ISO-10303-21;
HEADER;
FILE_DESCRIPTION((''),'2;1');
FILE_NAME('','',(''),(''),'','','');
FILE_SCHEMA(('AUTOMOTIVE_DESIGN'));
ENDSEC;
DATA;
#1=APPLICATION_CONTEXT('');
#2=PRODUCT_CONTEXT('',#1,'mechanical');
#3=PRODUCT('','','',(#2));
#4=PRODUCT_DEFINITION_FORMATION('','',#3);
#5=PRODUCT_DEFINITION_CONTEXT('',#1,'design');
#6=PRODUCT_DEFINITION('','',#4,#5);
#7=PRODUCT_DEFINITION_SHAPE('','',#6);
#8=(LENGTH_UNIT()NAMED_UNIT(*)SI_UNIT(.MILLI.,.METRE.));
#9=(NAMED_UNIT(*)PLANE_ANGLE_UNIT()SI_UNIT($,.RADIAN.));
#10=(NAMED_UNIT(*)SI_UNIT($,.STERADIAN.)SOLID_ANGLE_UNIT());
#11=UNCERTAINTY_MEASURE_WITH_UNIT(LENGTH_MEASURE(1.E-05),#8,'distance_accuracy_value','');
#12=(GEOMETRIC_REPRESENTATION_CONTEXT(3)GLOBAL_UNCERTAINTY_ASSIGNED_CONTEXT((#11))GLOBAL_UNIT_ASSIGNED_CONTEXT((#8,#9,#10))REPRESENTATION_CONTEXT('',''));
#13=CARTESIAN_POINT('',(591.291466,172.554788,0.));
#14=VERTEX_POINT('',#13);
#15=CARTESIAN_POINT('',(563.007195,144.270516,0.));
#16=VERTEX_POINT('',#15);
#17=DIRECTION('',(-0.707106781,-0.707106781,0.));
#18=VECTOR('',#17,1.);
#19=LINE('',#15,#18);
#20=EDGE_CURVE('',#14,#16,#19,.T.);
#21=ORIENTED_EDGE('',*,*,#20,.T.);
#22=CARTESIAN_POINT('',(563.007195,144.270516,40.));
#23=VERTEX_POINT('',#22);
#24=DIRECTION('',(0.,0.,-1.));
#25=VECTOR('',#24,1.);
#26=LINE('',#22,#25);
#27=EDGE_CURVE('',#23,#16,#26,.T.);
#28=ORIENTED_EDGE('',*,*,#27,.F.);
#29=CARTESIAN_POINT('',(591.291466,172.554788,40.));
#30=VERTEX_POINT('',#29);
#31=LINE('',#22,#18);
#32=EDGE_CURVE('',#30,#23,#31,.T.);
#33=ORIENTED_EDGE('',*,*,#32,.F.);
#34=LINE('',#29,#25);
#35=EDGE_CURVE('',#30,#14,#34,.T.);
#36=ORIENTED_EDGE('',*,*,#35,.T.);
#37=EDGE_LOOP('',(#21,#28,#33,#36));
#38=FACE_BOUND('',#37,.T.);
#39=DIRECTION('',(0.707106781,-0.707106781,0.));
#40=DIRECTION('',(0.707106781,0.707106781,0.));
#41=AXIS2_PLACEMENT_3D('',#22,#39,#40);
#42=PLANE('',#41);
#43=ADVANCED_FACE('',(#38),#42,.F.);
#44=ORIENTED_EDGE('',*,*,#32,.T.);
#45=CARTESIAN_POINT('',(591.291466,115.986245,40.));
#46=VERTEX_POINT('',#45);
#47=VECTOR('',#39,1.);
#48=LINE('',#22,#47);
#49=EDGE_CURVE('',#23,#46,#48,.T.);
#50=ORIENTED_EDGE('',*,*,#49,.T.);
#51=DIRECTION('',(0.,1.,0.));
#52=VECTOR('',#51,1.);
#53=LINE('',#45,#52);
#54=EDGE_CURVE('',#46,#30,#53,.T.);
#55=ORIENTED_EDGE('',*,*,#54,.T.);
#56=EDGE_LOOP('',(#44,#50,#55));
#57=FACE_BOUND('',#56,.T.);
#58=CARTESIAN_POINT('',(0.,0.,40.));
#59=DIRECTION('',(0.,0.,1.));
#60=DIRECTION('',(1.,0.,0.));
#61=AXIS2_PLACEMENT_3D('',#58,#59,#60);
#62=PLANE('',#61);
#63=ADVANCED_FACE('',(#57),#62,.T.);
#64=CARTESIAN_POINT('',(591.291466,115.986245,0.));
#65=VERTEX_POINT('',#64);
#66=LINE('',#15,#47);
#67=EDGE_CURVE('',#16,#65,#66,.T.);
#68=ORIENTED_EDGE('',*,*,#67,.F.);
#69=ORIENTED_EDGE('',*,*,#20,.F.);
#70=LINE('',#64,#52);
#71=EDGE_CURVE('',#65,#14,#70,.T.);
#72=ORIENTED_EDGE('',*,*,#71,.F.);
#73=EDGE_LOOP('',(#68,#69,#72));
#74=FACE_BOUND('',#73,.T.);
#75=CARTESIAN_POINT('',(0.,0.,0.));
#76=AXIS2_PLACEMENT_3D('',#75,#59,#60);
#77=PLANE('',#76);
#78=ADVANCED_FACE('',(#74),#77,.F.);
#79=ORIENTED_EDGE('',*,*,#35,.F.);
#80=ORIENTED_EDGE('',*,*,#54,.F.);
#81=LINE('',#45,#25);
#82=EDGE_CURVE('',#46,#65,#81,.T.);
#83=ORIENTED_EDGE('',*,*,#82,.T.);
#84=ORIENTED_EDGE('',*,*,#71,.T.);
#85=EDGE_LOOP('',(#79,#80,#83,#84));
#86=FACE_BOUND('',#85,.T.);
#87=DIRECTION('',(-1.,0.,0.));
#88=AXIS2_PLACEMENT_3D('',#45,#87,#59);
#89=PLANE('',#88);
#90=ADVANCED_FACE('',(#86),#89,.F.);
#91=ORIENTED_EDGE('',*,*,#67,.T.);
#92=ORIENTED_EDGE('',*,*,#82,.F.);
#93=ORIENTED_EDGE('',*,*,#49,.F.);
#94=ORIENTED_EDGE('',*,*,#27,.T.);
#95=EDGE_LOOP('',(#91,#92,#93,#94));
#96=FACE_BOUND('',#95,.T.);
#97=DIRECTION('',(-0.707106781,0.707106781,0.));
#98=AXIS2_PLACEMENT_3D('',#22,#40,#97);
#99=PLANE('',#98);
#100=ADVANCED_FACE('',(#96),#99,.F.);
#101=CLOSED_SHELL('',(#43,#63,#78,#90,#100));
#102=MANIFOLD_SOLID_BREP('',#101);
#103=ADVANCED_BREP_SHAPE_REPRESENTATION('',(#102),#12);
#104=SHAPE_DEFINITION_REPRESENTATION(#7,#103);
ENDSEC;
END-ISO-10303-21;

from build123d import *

# Parameters (mm, degrees)
EXTRUDE_1_DEPTH = 40


with BuildPart() as part:
    # 草图1 → 凸台-拉伸1 (new body)
    with BuildSketch(Plane.XY):
        Polygon((563.007194827, 144.27051647), (591.291466075, 172.554787717), (591.291466075, 115.986245222), align=None)
    extrude(amount=EXTRUDE_1_DEPTH)


solid = part.part
